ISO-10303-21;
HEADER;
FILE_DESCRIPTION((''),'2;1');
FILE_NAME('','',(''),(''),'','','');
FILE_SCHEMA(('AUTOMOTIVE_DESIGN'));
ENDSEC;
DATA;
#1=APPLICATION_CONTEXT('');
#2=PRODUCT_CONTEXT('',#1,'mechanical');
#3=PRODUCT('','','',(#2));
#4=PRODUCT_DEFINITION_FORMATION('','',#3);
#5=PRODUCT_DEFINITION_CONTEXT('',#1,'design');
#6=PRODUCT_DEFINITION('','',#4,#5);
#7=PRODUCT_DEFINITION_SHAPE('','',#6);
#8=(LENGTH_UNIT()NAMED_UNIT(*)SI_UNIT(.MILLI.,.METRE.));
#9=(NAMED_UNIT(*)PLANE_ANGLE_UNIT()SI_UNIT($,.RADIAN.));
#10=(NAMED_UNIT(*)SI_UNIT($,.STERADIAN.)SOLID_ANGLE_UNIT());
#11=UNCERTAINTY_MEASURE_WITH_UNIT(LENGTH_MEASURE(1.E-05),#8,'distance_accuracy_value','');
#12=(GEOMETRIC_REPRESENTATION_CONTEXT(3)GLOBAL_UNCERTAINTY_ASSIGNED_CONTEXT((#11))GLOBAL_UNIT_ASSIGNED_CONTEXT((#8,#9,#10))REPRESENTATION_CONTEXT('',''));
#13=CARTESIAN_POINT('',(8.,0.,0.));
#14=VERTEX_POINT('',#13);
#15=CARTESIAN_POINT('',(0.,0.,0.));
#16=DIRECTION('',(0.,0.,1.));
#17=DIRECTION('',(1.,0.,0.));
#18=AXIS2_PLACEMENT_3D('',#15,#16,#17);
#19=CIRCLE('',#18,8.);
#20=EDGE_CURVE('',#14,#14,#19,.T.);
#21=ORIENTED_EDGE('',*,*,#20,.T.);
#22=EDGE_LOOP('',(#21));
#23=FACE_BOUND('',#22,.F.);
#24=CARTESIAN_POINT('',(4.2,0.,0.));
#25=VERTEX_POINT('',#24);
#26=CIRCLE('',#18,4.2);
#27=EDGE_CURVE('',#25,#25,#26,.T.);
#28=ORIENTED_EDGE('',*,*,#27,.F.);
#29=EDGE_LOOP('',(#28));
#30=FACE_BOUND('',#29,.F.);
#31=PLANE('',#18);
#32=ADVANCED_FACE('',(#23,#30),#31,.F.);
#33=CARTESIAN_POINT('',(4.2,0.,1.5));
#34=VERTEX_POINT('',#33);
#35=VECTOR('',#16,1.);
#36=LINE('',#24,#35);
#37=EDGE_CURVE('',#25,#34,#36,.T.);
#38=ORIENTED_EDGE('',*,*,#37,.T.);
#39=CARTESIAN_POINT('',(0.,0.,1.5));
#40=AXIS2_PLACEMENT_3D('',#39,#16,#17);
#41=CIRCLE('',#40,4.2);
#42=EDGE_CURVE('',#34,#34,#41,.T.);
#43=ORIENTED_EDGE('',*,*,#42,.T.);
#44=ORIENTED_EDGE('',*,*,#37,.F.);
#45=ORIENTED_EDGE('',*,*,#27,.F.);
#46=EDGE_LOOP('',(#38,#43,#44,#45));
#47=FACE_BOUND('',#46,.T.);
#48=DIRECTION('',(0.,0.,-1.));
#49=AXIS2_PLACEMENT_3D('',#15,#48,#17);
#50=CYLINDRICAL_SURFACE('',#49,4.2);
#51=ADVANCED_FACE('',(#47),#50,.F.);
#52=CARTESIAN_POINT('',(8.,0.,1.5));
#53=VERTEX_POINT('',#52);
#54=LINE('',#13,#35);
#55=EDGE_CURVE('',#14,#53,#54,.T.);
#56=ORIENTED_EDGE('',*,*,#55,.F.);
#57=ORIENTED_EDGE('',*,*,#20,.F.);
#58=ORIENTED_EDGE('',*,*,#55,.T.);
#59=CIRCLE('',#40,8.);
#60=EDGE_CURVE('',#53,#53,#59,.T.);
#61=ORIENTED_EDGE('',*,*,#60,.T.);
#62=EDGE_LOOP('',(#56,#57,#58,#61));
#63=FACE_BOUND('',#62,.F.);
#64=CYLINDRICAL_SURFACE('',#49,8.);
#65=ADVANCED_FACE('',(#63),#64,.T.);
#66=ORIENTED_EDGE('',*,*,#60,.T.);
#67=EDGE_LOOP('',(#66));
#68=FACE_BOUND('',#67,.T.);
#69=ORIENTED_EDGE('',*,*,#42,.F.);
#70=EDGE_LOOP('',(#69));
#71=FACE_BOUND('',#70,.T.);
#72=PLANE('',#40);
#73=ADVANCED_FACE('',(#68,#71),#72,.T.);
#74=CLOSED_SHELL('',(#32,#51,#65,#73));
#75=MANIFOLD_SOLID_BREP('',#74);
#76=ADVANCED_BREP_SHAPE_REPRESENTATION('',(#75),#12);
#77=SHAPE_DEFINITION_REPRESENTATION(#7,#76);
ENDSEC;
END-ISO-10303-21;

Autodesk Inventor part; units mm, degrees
ref_plane "YZ Plane" through (0, 0, 0) normal (1, 0, 0) x (0, 1, 0)
ref_plane "XZ Plane" through (0, 0, 0) normal (0, 1, 0) x (-1, 0, 0)
ref_plane "XY Plane" through (0, 0, 0) normal (0, 0, 1) x (1, 0, 0)
sketch "Sketch1" plane through (0, 0, 0) normal (0, 0, 1) x (1, 0, 0)
  circle A0 centre (0, 0) radius 4.2
  circle A1 centre (0, 0) radius 8
  dimension "d0" = 8.4
  dimension "d2" = 16
extrude "Extrusion1" add sketch "Sketch1" along normal blind 1.5
properties part number "washer"
